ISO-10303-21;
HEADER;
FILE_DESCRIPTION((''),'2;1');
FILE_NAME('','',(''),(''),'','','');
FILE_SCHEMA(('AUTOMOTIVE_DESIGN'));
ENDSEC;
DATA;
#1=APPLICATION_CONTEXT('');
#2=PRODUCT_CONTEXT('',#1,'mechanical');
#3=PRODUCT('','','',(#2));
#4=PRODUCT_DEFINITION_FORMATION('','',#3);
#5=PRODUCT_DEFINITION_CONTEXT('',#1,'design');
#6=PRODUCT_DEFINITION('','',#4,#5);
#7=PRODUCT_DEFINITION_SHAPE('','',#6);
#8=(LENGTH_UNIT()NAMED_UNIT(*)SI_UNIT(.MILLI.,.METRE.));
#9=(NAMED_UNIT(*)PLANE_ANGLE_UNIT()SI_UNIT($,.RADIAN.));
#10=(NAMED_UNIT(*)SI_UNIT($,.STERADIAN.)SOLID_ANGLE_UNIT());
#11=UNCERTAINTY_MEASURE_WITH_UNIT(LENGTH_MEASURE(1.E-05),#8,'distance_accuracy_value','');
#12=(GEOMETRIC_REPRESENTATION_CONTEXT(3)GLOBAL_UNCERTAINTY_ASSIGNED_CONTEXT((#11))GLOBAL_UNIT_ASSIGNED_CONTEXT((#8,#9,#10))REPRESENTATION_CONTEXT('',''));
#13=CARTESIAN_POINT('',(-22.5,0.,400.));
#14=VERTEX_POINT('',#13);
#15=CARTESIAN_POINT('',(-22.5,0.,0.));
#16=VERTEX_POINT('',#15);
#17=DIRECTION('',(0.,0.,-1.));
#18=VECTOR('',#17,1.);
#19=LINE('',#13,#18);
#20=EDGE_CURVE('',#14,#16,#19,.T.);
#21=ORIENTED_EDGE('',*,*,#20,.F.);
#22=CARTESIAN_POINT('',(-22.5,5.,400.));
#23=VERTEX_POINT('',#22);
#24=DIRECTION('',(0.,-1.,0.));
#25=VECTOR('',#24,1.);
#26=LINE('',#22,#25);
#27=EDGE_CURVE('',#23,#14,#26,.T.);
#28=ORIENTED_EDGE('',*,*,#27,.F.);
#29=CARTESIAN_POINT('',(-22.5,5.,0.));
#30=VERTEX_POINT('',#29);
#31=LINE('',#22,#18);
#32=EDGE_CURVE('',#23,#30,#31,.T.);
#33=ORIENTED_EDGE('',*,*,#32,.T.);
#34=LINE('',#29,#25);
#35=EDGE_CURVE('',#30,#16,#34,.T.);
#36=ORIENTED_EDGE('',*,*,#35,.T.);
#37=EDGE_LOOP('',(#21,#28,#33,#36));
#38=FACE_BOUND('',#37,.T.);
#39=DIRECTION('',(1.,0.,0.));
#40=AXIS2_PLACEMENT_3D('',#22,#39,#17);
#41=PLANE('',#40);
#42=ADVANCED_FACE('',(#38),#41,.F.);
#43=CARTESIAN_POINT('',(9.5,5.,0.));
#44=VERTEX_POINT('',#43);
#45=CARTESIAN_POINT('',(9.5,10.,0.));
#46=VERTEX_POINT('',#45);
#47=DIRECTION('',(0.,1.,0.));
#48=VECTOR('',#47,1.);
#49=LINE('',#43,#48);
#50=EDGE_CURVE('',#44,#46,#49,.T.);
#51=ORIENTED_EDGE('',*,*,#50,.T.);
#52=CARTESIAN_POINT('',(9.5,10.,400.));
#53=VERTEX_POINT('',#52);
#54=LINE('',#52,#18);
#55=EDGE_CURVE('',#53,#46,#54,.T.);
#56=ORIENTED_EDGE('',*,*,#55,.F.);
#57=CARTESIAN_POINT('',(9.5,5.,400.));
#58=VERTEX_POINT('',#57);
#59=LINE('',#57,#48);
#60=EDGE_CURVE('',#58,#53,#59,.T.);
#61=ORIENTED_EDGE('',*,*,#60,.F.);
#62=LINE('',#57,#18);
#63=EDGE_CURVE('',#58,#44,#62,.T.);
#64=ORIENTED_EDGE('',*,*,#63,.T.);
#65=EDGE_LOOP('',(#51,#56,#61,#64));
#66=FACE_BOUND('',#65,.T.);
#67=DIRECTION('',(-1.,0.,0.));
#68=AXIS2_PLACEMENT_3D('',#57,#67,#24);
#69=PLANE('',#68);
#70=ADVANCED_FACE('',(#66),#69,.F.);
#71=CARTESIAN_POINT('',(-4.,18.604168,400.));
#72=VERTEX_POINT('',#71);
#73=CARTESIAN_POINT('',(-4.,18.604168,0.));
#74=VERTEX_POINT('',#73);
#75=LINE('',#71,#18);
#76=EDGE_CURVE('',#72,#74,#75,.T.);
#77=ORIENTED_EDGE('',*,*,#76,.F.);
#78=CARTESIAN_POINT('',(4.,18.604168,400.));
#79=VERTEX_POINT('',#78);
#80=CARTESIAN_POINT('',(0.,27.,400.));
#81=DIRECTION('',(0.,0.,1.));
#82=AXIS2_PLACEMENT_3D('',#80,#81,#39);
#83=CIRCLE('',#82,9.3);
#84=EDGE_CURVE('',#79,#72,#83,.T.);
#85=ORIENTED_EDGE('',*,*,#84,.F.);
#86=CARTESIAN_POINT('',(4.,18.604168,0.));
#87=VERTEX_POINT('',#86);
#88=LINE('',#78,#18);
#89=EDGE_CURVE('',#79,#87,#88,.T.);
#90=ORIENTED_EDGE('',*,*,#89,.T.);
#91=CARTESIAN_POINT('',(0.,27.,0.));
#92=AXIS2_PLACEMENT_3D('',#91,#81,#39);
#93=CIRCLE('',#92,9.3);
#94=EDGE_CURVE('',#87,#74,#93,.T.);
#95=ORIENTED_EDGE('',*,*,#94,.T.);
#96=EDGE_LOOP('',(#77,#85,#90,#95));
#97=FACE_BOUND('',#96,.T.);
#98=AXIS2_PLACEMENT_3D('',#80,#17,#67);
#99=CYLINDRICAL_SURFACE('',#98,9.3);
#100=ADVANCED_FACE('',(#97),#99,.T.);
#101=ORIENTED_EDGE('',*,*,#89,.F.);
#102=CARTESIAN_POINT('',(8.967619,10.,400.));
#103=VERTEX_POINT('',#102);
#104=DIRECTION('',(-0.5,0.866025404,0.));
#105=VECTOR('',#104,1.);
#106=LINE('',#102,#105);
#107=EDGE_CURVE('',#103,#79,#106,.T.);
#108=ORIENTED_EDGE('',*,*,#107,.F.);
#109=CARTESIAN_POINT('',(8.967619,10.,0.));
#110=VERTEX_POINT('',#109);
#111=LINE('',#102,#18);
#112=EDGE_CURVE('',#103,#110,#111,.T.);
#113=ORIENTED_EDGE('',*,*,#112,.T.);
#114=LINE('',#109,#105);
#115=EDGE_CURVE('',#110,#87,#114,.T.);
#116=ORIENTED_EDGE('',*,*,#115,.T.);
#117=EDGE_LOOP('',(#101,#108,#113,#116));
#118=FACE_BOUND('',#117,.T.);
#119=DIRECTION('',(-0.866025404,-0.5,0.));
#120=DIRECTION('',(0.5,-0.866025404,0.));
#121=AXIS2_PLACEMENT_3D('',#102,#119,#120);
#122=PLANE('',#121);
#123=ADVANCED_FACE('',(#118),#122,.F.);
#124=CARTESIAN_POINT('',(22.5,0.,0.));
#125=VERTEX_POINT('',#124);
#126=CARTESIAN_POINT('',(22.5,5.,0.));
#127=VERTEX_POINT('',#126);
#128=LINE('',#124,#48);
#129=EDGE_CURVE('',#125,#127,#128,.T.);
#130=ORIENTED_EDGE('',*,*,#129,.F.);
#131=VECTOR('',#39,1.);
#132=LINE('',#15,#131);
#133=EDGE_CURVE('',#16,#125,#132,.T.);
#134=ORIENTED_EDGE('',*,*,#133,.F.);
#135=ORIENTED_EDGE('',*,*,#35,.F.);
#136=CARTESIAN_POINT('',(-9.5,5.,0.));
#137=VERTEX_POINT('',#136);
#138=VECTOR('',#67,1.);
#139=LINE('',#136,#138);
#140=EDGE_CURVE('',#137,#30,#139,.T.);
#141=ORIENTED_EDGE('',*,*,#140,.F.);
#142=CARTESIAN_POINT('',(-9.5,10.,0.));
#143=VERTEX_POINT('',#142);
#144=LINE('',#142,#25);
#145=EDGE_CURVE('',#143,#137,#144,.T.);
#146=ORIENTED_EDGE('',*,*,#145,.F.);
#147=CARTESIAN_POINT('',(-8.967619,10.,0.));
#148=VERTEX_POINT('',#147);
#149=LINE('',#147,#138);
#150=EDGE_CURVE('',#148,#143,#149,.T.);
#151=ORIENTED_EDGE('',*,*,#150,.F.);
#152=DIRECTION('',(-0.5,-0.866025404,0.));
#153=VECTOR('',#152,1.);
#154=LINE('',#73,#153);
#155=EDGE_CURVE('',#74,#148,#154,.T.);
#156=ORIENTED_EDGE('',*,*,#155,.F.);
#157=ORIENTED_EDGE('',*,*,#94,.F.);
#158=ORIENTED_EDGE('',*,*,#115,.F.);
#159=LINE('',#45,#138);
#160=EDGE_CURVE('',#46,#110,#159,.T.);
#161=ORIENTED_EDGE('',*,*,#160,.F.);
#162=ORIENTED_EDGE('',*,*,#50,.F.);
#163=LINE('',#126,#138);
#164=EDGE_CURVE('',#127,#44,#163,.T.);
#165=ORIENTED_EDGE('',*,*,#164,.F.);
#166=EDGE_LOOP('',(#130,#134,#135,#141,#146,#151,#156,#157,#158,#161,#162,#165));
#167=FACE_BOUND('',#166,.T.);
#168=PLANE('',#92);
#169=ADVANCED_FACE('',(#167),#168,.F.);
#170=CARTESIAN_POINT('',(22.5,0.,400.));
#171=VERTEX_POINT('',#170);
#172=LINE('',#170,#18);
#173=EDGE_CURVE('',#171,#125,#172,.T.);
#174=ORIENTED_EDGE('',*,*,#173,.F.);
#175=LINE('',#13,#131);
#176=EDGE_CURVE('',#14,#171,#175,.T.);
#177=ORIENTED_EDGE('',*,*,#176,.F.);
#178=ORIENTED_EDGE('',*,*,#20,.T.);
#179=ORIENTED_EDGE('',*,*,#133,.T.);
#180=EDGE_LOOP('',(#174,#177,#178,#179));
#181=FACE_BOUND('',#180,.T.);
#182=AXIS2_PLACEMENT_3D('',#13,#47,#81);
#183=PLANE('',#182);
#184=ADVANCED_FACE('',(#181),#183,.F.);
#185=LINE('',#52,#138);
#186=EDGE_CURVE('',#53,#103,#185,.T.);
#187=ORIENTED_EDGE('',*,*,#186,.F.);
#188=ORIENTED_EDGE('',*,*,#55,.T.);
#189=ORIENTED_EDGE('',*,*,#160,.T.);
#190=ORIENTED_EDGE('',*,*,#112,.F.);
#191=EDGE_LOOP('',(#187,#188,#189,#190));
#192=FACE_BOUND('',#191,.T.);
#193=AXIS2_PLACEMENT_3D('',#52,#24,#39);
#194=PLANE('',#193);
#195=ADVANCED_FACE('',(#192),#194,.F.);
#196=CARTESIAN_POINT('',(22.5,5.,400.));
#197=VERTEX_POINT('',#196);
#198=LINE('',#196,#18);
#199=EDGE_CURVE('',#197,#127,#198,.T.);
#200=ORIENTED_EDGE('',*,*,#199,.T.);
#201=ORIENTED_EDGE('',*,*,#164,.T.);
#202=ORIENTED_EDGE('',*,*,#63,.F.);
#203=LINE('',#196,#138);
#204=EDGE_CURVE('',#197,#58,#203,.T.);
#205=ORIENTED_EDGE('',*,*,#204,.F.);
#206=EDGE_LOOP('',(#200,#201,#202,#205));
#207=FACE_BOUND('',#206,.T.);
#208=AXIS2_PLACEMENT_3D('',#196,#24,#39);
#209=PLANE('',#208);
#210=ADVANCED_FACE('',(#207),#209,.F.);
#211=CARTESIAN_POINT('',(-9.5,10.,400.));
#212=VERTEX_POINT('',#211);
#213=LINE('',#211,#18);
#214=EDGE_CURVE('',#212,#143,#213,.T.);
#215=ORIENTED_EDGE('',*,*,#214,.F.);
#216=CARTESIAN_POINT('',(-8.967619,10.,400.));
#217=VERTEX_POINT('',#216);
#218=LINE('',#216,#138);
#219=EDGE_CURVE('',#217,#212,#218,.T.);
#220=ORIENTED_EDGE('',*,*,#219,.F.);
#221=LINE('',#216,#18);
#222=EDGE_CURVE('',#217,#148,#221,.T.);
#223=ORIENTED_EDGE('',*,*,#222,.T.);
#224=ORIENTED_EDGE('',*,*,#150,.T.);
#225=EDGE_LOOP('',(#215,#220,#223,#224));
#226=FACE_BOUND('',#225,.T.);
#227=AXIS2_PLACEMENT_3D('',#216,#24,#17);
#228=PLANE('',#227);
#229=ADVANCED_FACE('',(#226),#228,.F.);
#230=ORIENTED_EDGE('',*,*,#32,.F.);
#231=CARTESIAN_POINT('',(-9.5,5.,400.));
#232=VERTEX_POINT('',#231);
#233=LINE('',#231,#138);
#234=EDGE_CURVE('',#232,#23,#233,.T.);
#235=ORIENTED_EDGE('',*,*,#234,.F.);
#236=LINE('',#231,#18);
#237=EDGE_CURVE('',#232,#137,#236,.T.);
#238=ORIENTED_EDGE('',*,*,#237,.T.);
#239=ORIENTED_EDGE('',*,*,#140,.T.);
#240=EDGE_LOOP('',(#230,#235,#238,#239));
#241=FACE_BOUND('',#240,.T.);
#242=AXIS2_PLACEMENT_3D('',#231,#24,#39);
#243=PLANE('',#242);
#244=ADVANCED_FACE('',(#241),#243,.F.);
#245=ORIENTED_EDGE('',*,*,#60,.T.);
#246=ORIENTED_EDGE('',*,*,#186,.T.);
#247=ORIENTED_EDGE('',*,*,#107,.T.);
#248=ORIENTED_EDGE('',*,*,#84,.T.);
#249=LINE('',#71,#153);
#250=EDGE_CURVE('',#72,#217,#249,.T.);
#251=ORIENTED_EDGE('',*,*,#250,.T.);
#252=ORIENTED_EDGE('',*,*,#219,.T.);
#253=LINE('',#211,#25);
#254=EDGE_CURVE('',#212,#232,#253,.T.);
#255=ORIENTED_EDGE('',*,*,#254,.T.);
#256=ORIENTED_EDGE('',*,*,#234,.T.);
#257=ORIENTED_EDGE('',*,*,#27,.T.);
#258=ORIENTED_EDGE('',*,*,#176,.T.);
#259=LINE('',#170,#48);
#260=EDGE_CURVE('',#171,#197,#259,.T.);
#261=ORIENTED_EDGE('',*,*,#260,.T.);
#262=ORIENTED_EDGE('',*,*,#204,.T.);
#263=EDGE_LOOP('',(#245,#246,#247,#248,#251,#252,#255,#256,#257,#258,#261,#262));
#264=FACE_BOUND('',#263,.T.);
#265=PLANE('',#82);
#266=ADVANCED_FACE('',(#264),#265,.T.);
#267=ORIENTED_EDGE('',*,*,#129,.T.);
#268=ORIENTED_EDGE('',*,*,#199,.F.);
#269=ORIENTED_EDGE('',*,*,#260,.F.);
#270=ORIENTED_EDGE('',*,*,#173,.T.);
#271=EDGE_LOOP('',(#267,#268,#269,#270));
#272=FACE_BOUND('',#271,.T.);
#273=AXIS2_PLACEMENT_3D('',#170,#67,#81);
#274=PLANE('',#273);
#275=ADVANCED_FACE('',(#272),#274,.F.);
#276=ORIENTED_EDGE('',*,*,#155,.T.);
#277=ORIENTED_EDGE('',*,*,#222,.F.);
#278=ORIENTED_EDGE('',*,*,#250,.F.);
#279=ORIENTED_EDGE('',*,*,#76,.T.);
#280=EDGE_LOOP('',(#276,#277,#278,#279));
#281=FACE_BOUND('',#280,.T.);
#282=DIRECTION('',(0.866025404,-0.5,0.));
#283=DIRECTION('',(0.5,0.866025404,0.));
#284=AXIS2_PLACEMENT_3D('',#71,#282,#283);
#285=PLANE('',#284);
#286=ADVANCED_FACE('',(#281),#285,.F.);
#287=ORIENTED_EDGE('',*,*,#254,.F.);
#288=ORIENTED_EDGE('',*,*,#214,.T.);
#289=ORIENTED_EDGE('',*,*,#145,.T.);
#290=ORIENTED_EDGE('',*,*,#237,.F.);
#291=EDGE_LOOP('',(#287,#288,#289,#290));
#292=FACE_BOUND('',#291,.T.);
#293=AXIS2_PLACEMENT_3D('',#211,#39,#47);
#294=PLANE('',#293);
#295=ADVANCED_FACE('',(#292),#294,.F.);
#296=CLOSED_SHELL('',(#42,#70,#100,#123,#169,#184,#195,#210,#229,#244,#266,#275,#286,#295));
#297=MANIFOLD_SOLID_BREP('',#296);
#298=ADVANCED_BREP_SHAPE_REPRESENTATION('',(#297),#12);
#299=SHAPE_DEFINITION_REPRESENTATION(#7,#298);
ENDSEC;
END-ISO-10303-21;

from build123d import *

# Parameters (mm, degrees)
EXTRUSION1_DEPTH = 400


with BuildPart() as part:
    # Sketch1 → Extrusion1 (new body)
    with BuildSketch(Plane.XY):
        with BuildLine():
            Line((-22.5, 0), (22.5, 0))
            Line((22.5, 0), (22.5, 5))
            Line((22.5, 5), (9.5, 5))
            Line((9.5, 5), (9.5, 10))
            Line((9.5, 10), (8.967618538, 10))
            Line((8.967618538, 10), (4, 18.604167701))
            ThreePointArc((4, 18.604167701), (0, 36.3), (-4, 18.604167701))
            Line((-4, 18.604167701), (-8.967618538, 10))
            Line((-8.967618538, 10), (-9.5, 10))
            Line((-9.5, 10), (-9.5, 5))
            Line((-9.5, 5), (-22.5, 5))
            Line((-22.5, 5), (-22.5, 0))
        make_face()
    extrude(amount=EXTRUSION1_DEPTH)


solid = part.part
